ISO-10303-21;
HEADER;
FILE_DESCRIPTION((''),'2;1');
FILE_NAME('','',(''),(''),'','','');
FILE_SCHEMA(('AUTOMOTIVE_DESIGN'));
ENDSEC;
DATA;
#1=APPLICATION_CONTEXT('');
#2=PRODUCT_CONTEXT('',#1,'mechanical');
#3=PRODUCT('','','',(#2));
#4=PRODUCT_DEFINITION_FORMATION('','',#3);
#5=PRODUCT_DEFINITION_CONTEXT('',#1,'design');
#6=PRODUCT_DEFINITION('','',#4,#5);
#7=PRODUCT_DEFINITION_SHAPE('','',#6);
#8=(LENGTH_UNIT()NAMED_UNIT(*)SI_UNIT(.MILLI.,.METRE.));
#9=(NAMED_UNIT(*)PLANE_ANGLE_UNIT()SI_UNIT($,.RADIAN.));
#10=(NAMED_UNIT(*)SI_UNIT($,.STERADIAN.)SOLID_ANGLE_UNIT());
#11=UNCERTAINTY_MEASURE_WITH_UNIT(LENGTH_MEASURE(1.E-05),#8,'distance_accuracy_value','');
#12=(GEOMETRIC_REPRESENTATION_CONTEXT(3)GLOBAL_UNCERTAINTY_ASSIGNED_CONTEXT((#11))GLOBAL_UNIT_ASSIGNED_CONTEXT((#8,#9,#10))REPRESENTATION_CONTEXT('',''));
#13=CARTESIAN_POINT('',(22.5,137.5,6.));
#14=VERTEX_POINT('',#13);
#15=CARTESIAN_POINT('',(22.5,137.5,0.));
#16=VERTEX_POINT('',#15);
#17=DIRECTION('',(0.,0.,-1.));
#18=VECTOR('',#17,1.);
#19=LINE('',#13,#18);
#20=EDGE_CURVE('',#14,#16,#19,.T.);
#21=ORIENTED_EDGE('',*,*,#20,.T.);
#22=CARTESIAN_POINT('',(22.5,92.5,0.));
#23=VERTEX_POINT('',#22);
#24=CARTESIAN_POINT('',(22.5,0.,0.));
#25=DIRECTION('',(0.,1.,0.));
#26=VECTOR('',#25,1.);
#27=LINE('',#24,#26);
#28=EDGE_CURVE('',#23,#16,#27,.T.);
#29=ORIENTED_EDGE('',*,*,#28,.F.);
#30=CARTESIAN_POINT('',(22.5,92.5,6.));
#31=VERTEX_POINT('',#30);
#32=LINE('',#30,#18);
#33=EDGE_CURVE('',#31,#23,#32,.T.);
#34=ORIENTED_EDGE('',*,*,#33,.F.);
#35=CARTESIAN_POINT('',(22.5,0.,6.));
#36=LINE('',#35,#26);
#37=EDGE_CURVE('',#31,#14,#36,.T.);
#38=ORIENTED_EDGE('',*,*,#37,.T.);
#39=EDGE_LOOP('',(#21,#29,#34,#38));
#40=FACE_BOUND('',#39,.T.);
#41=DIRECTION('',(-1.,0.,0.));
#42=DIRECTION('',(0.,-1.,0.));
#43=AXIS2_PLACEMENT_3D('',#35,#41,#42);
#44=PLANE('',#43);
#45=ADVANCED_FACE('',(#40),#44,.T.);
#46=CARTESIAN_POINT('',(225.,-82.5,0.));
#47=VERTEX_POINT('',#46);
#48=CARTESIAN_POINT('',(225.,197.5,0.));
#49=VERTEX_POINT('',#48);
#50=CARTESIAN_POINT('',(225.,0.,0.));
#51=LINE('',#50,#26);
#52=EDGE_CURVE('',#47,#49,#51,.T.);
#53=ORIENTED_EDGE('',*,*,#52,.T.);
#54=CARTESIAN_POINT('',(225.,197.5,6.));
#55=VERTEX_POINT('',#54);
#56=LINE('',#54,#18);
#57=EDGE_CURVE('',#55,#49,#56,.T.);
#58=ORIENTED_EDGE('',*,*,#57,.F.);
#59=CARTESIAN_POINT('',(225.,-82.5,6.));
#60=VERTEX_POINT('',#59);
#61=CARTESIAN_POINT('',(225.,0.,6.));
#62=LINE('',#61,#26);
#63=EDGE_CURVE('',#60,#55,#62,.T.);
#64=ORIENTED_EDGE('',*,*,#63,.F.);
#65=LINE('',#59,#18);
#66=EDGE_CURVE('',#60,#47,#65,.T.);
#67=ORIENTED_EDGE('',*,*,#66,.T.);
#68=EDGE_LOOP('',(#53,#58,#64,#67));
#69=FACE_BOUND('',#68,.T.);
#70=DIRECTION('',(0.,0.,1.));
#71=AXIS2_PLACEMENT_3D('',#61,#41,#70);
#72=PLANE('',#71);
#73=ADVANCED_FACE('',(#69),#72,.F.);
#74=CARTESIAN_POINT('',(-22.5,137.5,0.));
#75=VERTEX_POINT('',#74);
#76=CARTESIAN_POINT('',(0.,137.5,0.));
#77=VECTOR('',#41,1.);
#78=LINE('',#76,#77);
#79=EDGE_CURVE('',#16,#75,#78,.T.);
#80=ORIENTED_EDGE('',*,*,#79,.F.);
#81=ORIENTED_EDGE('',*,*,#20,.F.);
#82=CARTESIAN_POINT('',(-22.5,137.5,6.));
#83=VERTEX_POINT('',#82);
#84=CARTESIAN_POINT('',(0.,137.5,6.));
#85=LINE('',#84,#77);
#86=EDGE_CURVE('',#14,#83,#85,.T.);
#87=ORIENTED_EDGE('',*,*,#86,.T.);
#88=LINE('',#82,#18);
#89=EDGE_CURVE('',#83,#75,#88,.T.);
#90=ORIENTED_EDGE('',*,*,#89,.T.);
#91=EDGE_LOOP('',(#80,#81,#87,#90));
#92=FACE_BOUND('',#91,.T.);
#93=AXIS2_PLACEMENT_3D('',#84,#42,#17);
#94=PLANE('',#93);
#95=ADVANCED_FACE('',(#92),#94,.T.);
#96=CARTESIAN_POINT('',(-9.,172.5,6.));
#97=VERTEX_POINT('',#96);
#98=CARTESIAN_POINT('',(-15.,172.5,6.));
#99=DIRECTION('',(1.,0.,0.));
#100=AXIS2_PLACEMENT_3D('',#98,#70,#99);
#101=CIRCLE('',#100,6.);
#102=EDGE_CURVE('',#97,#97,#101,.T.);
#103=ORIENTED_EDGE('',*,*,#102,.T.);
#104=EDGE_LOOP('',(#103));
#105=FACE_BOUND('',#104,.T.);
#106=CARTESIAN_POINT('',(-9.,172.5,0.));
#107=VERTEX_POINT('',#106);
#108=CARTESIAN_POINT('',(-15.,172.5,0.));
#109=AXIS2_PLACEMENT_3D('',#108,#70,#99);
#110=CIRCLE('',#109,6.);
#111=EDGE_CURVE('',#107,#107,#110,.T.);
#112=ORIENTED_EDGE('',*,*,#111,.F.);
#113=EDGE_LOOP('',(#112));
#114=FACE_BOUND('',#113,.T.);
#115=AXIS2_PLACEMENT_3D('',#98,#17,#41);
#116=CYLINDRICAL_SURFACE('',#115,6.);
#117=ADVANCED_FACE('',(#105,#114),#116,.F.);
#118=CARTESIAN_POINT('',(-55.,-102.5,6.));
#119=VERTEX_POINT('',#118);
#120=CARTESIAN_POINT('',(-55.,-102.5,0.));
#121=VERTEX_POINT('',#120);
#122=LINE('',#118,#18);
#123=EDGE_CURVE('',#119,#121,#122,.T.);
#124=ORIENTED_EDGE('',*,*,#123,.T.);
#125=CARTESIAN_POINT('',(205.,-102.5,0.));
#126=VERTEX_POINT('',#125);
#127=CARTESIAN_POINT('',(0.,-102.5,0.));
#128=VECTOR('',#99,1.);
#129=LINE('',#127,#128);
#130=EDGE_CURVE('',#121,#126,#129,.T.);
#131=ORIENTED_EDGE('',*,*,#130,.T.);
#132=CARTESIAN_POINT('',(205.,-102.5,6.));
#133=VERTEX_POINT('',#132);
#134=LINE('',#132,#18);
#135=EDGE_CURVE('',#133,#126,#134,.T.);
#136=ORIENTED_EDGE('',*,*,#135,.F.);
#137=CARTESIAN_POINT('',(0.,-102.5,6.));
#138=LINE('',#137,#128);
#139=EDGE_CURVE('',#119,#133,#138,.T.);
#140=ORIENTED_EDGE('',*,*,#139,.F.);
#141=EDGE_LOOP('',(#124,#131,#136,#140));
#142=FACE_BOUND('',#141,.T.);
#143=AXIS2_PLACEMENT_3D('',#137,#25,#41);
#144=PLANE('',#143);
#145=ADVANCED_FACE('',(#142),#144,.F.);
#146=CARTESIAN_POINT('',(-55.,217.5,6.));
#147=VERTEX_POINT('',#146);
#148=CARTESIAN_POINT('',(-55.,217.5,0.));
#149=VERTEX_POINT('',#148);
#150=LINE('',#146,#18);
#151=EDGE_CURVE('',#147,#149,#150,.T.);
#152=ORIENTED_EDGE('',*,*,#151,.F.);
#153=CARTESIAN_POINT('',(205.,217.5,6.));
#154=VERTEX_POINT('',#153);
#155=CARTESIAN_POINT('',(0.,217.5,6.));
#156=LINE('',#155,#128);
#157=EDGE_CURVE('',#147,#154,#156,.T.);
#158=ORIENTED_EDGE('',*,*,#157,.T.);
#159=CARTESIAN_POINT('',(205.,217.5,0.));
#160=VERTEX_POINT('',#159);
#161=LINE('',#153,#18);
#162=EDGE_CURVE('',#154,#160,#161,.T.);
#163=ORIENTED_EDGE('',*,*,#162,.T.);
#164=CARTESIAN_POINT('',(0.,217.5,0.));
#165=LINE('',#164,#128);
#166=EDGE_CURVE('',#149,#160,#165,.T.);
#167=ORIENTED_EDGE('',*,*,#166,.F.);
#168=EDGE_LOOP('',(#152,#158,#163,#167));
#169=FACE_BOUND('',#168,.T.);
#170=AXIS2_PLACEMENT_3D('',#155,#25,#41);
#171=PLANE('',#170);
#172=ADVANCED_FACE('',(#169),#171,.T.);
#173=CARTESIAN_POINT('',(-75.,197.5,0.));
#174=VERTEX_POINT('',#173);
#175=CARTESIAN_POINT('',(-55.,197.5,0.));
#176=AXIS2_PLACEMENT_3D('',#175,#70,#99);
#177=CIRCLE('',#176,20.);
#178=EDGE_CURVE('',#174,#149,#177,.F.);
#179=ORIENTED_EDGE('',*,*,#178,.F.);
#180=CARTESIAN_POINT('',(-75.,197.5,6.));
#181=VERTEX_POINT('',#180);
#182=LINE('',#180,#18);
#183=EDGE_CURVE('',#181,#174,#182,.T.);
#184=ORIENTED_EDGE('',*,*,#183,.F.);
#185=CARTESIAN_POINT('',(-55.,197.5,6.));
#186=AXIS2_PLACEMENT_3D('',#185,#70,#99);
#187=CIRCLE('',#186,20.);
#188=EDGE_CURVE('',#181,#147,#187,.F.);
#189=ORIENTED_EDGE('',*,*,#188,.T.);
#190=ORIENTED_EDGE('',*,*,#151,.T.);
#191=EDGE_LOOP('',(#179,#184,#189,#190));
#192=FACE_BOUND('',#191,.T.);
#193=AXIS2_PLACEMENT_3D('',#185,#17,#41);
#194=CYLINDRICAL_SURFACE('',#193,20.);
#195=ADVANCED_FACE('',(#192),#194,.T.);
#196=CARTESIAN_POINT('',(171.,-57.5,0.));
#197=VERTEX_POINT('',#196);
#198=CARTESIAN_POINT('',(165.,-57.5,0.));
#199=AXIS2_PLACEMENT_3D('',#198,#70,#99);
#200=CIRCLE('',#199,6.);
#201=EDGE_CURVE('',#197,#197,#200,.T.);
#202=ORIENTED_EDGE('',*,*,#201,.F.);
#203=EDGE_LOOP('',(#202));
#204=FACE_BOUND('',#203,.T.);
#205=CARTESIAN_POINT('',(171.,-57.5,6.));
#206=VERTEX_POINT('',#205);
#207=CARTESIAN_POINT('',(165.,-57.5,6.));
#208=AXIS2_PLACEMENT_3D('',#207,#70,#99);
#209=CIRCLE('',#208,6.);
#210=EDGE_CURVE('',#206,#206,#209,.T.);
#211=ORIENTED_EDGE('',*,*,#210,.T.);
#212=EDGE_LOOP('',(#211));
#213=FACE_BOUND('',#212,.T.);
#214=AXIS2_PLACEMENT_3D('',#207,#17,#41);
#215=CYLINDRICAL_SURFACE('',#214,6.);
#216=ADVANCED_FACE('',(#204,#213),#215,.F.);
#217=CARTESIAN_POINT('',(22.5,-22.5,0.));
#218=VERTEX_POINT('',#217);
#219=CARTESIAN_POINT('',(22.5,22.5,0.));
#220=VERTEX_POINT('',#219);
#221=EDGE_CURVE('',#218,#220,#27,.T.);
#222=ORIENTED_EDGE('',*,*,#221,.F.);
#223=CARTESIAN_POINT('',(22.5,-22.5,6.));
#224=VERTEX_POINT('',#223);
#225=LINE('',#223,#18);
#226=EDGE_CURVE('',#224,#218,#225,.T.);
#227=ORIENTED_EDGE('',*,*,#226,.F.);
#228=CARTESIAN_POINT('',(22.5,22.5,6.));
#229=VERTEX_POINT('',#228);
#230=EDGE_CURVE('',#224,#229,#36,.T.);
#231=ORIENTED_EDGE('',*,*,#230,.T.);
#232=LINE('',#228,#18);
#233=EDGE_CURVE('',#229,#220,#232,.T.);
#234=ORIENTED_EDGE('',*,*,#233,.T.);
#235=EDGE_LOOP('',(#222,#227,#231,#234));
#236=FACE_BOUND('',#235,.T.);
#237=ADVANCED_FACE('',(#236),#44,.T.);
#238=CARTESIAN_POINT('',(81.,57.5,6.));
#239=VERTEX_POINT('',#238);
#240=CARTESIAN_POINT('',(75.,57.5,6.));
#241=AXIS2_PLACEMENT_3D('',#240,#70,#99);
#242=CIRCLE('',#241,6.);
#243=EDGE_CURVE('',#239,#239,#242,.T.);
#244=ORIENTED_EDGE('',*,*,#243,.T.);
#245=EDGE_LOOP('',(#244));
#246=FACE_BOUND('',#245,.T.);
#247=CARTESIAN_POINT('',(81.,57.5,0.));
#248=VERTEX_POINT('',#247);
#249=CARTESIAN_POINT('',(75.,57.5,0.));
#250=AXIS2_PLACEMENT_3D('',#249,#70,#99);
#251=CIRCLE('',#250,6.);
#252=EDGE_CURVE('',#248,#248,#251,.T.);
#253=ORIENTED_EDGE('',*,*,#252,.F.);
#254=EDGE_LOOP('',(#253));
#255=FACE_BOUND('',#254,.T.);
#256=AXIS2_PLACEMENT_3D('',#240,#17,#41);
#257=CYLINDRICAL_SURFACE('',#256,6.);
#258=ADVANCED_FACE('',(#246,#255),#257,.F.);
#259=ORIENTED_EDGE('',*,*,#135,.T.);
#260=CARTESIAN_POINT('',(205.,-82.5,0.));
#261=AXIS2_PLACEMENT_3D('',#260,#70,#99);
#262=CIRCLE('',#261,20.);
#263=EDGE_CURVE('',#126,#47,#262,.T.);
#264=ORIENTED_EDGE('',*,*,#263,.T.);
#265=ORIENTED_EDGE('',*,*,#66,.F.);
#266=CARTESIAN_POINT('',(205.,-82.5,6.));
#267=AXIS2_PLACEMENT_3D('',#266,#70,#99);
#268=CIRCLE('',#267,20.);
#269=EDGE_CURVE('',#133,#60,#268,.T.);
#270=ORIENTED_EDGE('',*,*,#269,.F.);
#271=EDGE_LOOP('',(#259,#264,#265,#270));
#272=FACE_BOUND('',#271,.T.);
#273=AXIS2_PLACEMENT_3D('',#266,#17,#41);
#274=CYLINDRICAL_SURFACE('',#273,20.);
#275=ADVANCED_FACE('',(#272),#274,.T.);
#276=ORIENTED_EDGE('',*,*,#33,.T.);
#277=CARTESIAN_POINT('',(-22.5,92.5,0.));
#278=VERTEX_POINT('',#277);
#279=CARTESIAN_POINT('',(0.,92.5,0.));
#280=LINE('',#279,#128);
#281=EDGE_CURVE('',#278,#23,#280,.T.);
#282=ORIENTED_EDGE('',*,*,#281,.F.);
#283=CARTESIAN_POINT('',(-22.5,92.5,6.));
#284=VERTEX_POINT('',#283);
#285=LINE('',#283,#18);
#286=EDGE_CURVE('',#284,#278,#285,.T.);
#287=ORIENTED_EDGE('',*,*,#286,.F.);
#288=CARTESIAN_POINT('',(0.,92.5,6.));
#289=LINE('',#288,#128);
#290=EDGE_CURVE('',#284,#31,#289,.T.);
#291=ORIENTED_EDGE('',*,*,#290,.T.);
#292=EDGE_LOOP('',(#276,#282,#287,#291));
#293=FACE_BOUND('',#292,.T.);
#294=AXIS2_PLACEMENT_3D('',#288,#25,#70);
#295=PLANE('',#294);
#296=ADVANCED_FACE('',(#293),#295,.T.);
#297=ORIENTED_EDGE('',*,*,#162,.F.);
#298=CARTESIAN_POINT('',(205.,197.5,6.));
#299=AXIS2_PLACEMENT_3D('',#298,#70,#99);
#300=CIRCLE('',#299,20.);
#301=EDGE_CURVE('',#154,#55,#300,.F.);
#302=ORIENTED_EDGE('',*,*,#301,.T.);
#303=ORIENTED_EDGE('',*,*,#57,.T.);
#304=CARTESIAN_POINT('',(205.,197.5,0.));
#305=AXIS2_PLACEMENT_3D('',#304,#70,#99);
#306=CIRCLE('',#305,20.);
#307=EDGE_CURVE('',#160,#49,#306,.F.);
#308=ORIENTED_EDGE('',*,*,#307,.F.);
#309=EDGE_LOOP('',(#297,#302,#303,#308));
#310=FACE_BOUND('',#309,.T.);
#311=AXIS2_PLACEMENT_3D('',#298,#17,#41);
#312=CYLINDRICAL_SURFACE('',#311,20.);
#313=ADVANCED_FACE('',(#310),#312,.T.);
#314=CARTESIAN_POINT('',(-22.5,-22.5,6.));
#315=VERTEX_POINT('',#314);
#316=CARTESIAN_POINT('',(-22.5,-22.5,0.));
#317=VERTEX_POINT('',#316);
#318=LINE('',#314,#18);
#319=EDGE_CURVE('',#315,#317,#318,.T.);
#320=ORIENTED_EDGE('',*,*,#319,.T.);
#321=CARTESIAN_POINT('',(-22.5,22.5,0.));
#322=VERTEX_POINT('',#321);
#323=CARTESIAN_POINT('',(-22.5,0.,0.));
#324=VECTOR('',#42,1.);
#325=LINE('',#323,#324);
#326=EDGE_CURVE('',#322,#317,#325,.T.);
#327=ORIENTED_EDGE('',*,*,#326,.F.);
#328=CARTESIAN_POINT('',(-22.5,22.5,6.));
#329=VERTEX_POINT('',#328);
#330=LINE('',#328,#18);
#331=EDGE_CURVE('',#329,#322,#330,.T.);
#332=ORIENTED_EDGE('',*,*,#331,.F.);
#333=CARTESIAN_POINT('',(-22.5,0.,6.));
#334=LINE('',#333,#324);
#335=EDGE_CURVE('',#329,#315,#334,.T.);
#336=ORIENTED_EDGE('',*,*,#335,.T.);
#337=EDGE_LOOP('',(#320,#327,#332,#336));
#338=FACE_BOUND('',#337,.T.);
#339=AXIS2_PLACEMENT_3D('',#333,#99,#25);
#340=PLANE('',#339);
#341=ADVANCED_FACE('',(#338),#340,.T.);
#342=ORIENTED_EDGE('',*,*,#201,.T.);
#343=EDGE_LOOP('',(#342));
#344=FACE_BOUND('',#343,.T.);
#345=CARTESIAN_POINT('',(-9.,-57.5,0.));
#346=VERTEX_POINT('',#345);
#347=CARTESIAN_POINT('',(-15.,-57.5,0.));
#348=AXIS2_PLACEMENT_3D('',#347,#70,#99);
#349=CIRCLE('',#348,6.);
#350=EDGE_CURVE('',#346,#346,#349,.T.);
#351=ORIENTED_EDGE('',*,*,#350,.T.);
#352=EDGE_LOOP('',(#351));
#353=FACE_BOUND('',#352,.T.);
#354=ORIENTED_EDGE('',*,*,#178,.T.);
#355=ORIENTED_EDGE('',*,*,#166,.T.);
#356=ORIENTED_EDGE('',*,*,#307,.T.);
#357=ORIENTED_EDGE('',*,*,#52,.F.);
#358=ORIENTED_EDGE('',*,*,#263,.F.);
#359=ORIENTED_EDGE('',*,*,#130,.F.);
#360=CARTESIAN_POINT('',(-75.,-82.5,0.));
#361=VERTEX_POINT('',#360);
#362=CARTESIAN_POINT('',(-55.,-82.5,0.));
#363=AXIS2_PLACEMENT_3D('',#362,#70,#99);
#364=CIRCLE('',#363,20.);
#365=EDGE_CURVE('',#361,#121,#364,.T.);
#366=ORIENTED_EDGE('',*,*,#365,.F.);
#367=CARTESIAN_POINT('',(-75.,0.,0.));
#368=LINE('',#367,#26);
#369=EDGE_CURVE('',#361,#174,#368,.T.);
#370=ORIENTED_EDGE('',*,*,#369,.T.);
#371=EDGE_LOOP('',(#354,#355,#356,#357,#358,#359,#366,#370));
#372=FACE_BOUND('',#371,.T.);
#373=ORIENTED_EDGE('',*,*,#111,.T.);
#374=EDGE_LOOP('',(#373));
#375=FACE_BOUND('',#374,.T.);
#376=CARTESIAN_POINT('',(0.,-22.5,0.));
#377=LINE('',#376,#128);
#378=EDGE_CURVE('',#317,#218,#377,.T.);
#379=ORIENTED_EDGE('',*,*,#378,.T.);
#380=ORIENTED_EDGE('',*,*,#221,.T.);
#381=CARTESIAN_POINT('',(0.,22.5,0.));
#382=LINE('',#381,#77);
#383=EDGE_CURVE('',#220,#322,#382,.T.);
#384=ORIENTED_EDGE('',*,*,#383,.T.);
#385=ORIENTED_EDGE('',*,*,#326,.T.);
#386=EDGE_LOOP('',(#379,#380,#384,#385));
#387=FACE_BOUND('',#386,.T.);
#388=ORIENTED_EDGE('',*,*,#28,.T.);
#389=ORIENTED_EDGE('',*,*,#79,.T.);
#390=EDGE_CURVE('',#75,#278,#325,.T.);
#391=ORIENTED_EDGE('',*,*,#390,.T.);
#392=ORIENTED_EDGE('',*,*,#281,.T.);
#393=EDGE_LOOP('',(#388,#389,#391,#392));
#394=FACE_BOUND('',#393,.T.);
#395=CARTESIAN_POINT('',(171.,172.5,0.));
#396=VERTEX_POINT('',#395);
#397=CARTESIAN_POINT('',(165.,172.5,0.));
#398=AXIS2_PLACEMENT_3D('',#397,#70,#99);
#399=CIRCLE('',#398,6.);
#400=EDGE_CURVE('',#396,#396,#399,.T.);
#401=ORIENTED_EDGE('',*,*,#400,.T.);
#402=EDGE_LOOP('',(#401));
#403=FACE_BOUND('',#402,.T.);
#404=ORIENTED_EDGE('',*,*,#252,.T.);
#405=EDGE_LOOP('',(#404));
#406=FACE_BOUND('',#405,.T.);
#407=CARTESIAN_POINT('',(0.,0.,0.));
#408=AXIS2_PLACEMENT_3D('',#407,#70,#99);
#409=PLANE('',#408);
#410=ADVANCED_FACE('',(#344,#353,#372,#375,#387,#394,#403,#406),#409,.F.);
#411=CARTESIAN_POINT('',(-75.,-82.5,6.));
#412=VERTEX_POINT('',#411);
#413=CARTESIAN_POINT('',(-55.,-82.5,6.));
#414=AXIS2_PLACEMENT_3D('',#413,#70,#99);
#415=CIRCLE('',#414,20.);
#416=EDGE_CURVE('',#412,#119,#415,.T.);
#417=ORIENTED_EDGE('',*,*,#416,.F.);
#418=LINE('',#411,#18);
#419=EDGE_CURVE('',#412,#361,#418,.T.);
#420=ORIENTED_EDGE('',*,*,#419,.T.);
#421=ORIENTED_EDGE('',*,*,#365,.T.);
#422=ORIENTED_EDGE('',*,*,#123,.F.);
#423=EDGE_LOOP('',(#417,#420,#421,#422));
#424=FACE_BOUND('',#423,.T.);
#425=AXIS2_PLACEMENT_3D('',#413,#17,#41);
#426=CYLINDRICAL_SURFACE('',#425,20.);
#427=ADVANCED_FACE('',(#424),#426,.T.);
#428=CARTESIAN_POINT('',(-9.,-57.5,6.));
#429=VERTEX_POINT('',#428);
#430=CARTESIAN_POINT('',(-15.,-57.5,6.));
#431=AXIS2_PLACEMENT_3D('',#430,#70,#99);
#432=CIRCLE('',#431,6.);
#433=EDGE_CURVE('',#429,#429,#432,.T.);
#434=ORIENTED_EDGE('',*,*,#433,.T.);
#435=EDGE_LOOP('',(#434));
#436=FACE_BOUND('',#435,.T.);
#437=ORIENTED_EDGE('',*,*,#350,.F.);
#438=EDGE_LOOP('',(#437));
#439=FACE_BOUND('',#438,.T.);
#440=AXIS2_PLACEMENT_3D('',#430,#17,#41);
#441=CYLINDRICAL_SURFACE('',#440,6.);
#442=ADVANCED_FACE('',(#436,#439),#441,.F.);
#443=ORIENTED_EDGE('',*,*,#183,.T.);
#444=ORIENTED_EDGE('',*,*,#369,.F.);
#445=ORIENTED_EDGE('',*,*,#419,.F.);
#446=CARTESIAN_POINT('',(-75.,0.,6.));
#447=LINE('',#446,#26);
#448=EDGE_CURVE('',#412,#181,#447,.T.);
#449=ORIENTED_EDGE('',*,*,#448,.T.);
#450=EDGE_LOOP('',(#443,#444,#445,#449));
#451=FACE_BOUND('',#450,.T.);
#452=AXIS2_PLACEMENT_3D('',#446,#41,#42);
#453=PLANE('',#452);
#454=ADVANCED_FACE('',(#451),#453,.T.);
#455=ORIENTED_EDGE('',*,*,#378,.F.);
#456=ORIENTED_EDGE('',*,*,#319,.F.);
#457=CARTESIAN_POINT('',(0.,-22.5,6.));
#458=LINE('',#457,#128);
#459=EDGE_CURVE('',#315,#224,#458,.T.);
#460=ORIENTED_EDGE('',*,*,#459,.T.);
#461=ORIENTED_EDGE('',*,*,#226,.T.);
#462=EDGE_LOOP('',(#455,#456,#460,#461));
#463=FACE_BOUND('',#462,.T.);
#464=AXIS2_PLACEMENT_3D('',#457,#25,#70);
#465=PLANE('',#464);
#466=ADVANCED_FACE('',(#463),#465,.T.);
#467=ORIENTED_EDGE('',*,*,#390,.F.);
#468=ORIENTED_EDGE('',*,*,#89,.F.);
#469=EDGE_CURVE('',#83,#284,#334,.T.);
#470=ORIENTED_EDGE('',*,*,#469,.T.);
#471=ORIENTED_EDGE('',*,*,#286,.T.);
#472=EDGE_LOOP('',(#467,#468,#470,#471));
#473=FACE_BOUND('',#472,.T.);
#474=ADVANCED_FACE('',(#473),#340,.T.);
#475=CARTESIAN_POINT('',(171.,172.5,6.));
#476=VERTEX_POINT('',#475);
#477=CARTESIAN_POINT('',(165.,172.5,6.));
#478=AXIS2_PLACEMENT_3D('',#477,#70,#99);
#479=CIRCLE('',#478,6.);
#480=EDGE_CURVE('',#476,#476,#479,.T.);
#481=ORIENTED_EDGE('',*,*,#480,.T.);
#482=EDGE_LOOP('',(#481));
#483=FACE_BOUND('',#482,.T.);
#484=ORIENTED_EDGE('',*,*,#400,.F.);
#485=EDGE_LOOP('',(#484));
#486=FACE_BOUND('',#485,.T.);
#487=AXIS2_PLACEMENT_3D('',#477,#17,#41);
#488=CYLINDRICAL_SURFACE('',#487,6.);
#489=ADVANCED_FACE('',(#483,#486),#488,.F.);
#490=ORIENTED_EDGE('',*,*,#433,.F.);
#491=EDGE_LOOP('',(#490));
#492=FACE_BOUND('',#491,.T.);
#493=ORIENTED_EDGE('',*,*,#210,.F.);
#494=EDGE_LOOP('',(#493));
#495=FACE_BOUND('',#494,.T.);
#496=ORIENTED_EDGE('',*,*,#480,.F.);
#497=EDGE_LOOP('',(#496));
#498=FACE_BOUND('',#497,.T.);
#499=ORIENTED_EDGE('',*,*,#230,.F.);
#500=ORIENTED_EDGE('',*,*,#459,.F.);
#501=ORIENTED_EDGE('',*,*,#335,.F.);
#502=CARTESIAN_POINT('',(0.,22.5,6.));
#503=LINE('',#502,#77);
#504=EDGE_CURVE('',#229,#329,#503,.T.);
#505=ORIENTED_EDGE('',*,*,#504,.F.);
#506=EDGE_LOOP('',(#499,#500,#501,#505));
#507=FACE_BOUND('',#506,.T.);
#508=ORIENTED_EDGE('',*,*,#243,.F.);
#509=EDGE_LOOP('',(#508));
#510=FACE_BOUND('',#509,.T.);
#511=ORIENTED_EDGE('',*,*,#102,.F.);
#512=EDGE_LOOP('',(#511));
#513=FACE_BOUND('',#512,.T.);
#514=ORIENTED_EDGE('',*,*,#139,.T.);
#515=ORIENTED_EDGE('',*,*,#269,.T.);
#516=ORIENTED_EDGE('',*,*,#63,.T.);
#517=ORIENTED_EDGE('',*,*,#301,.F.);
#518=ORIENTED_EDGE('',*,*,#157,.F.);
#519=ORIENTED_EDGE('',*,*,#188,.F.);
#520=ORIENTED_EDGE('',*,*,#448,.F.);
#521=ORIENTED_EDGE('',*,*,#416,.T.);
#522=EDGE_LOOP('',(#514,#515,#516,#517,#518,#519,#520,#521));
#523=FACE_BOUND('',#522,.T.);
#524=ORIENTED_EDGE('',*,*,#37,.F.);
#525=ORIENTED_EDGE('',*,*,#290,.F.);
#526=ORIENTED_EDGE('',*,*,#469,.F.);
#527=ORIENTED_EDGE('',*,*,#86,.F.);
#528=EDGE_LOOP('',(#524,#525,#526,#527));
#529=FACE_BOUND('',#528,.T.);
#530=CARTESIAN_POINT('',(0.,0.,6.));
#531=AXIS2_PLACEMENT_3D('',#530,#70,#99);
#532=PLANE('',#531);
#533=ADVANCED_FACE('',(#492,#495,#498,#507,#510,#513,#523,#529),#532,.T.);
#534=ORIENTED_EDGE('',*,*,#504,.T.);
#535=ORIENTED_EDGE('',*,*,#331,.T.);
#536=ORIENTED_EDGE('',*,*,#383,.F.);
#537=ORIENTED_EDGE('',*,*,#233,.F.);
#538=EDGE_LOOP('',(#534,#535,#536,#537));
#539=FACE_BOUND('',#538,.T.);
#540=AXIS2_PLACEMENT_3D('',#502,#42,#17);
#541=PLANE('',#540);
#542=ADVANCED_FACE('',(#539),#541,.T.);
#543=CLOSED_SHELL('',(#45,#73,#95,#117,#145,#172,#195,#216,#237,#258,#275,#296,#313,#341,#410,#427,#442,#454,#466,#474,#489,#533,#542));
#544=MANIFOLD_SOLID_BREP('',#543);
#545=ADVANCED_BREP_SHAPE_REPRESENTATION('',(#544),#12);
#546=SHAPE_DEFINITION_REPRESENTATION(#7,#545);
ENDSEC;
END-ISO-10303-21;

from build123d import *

# Parameters (mm, degrees)
SKETCH1_R           = 6
SKETCH1_W           = 45
SKETCH1_H           = 45
BOSS_EXTRUDE1_DEPTH = 6


with BuildPart() as part:
    # Sketch1 → Boss-Extrude1 (new body)
    with BuildSketch(Plane.XY):
        with BuildLine():
            Line((-55, -102.5), (205, -102.5))
            ThreePointArc((205, -102.5), (219.142135624, -96.642135624), (225, -82.5))
            Line((225, -82.5), (225, 197.5))
            ThreePointArc((225, 197.5), (219.142135624, 211.642135624), (205, 217.5))
            Line((205, 217.5), (-55, 217.5))
            ThreePointArc((-55, 217.5), (-69.142135624, 211.642135624), (-75, 197.5))
            Line((-75, 197.5), (-75, -82.5))
            ThreePointArc((-75, -82.5), (-69.142135624, -96.642135624), (-55, -102.5))
        make_face()
        with Locations((165, 172.5)):
            Circle(SKETCH1_R, mode=Mode.SUBTRACT)
        with Locations((-15, -57.5)):
            Circle(SKETCH1_R, mode=Mode.SUBTRACT)
        Polygon((22.5, -22.5), (-22.5, -22.5), (-22.5, 22.5), (0, 22.5), (22.5, 22.5), align=None, mode=Mode.SUBTRACT)
        with Locations((165, -57.5)):
            Circle(SKETCH1_R, mode=Mode.SUBTRACT)
        with Locations((0, 115)):
            Rectangle(SKETCH1_W, SKETCH1_H, mode=Mode.SUBTRACT)
        with Locations((-15, 172.5)):
            Circle(SKETCH1_R, mode=Mode.SUBTRACT)
        with Locations((75, 57.5)):
            Circle(SKETCH1_R, mode=Mode.SUBTRACT)
    extrude(amount=BOSS_EXTRUDE1_DEPTH)


solid = part.part
